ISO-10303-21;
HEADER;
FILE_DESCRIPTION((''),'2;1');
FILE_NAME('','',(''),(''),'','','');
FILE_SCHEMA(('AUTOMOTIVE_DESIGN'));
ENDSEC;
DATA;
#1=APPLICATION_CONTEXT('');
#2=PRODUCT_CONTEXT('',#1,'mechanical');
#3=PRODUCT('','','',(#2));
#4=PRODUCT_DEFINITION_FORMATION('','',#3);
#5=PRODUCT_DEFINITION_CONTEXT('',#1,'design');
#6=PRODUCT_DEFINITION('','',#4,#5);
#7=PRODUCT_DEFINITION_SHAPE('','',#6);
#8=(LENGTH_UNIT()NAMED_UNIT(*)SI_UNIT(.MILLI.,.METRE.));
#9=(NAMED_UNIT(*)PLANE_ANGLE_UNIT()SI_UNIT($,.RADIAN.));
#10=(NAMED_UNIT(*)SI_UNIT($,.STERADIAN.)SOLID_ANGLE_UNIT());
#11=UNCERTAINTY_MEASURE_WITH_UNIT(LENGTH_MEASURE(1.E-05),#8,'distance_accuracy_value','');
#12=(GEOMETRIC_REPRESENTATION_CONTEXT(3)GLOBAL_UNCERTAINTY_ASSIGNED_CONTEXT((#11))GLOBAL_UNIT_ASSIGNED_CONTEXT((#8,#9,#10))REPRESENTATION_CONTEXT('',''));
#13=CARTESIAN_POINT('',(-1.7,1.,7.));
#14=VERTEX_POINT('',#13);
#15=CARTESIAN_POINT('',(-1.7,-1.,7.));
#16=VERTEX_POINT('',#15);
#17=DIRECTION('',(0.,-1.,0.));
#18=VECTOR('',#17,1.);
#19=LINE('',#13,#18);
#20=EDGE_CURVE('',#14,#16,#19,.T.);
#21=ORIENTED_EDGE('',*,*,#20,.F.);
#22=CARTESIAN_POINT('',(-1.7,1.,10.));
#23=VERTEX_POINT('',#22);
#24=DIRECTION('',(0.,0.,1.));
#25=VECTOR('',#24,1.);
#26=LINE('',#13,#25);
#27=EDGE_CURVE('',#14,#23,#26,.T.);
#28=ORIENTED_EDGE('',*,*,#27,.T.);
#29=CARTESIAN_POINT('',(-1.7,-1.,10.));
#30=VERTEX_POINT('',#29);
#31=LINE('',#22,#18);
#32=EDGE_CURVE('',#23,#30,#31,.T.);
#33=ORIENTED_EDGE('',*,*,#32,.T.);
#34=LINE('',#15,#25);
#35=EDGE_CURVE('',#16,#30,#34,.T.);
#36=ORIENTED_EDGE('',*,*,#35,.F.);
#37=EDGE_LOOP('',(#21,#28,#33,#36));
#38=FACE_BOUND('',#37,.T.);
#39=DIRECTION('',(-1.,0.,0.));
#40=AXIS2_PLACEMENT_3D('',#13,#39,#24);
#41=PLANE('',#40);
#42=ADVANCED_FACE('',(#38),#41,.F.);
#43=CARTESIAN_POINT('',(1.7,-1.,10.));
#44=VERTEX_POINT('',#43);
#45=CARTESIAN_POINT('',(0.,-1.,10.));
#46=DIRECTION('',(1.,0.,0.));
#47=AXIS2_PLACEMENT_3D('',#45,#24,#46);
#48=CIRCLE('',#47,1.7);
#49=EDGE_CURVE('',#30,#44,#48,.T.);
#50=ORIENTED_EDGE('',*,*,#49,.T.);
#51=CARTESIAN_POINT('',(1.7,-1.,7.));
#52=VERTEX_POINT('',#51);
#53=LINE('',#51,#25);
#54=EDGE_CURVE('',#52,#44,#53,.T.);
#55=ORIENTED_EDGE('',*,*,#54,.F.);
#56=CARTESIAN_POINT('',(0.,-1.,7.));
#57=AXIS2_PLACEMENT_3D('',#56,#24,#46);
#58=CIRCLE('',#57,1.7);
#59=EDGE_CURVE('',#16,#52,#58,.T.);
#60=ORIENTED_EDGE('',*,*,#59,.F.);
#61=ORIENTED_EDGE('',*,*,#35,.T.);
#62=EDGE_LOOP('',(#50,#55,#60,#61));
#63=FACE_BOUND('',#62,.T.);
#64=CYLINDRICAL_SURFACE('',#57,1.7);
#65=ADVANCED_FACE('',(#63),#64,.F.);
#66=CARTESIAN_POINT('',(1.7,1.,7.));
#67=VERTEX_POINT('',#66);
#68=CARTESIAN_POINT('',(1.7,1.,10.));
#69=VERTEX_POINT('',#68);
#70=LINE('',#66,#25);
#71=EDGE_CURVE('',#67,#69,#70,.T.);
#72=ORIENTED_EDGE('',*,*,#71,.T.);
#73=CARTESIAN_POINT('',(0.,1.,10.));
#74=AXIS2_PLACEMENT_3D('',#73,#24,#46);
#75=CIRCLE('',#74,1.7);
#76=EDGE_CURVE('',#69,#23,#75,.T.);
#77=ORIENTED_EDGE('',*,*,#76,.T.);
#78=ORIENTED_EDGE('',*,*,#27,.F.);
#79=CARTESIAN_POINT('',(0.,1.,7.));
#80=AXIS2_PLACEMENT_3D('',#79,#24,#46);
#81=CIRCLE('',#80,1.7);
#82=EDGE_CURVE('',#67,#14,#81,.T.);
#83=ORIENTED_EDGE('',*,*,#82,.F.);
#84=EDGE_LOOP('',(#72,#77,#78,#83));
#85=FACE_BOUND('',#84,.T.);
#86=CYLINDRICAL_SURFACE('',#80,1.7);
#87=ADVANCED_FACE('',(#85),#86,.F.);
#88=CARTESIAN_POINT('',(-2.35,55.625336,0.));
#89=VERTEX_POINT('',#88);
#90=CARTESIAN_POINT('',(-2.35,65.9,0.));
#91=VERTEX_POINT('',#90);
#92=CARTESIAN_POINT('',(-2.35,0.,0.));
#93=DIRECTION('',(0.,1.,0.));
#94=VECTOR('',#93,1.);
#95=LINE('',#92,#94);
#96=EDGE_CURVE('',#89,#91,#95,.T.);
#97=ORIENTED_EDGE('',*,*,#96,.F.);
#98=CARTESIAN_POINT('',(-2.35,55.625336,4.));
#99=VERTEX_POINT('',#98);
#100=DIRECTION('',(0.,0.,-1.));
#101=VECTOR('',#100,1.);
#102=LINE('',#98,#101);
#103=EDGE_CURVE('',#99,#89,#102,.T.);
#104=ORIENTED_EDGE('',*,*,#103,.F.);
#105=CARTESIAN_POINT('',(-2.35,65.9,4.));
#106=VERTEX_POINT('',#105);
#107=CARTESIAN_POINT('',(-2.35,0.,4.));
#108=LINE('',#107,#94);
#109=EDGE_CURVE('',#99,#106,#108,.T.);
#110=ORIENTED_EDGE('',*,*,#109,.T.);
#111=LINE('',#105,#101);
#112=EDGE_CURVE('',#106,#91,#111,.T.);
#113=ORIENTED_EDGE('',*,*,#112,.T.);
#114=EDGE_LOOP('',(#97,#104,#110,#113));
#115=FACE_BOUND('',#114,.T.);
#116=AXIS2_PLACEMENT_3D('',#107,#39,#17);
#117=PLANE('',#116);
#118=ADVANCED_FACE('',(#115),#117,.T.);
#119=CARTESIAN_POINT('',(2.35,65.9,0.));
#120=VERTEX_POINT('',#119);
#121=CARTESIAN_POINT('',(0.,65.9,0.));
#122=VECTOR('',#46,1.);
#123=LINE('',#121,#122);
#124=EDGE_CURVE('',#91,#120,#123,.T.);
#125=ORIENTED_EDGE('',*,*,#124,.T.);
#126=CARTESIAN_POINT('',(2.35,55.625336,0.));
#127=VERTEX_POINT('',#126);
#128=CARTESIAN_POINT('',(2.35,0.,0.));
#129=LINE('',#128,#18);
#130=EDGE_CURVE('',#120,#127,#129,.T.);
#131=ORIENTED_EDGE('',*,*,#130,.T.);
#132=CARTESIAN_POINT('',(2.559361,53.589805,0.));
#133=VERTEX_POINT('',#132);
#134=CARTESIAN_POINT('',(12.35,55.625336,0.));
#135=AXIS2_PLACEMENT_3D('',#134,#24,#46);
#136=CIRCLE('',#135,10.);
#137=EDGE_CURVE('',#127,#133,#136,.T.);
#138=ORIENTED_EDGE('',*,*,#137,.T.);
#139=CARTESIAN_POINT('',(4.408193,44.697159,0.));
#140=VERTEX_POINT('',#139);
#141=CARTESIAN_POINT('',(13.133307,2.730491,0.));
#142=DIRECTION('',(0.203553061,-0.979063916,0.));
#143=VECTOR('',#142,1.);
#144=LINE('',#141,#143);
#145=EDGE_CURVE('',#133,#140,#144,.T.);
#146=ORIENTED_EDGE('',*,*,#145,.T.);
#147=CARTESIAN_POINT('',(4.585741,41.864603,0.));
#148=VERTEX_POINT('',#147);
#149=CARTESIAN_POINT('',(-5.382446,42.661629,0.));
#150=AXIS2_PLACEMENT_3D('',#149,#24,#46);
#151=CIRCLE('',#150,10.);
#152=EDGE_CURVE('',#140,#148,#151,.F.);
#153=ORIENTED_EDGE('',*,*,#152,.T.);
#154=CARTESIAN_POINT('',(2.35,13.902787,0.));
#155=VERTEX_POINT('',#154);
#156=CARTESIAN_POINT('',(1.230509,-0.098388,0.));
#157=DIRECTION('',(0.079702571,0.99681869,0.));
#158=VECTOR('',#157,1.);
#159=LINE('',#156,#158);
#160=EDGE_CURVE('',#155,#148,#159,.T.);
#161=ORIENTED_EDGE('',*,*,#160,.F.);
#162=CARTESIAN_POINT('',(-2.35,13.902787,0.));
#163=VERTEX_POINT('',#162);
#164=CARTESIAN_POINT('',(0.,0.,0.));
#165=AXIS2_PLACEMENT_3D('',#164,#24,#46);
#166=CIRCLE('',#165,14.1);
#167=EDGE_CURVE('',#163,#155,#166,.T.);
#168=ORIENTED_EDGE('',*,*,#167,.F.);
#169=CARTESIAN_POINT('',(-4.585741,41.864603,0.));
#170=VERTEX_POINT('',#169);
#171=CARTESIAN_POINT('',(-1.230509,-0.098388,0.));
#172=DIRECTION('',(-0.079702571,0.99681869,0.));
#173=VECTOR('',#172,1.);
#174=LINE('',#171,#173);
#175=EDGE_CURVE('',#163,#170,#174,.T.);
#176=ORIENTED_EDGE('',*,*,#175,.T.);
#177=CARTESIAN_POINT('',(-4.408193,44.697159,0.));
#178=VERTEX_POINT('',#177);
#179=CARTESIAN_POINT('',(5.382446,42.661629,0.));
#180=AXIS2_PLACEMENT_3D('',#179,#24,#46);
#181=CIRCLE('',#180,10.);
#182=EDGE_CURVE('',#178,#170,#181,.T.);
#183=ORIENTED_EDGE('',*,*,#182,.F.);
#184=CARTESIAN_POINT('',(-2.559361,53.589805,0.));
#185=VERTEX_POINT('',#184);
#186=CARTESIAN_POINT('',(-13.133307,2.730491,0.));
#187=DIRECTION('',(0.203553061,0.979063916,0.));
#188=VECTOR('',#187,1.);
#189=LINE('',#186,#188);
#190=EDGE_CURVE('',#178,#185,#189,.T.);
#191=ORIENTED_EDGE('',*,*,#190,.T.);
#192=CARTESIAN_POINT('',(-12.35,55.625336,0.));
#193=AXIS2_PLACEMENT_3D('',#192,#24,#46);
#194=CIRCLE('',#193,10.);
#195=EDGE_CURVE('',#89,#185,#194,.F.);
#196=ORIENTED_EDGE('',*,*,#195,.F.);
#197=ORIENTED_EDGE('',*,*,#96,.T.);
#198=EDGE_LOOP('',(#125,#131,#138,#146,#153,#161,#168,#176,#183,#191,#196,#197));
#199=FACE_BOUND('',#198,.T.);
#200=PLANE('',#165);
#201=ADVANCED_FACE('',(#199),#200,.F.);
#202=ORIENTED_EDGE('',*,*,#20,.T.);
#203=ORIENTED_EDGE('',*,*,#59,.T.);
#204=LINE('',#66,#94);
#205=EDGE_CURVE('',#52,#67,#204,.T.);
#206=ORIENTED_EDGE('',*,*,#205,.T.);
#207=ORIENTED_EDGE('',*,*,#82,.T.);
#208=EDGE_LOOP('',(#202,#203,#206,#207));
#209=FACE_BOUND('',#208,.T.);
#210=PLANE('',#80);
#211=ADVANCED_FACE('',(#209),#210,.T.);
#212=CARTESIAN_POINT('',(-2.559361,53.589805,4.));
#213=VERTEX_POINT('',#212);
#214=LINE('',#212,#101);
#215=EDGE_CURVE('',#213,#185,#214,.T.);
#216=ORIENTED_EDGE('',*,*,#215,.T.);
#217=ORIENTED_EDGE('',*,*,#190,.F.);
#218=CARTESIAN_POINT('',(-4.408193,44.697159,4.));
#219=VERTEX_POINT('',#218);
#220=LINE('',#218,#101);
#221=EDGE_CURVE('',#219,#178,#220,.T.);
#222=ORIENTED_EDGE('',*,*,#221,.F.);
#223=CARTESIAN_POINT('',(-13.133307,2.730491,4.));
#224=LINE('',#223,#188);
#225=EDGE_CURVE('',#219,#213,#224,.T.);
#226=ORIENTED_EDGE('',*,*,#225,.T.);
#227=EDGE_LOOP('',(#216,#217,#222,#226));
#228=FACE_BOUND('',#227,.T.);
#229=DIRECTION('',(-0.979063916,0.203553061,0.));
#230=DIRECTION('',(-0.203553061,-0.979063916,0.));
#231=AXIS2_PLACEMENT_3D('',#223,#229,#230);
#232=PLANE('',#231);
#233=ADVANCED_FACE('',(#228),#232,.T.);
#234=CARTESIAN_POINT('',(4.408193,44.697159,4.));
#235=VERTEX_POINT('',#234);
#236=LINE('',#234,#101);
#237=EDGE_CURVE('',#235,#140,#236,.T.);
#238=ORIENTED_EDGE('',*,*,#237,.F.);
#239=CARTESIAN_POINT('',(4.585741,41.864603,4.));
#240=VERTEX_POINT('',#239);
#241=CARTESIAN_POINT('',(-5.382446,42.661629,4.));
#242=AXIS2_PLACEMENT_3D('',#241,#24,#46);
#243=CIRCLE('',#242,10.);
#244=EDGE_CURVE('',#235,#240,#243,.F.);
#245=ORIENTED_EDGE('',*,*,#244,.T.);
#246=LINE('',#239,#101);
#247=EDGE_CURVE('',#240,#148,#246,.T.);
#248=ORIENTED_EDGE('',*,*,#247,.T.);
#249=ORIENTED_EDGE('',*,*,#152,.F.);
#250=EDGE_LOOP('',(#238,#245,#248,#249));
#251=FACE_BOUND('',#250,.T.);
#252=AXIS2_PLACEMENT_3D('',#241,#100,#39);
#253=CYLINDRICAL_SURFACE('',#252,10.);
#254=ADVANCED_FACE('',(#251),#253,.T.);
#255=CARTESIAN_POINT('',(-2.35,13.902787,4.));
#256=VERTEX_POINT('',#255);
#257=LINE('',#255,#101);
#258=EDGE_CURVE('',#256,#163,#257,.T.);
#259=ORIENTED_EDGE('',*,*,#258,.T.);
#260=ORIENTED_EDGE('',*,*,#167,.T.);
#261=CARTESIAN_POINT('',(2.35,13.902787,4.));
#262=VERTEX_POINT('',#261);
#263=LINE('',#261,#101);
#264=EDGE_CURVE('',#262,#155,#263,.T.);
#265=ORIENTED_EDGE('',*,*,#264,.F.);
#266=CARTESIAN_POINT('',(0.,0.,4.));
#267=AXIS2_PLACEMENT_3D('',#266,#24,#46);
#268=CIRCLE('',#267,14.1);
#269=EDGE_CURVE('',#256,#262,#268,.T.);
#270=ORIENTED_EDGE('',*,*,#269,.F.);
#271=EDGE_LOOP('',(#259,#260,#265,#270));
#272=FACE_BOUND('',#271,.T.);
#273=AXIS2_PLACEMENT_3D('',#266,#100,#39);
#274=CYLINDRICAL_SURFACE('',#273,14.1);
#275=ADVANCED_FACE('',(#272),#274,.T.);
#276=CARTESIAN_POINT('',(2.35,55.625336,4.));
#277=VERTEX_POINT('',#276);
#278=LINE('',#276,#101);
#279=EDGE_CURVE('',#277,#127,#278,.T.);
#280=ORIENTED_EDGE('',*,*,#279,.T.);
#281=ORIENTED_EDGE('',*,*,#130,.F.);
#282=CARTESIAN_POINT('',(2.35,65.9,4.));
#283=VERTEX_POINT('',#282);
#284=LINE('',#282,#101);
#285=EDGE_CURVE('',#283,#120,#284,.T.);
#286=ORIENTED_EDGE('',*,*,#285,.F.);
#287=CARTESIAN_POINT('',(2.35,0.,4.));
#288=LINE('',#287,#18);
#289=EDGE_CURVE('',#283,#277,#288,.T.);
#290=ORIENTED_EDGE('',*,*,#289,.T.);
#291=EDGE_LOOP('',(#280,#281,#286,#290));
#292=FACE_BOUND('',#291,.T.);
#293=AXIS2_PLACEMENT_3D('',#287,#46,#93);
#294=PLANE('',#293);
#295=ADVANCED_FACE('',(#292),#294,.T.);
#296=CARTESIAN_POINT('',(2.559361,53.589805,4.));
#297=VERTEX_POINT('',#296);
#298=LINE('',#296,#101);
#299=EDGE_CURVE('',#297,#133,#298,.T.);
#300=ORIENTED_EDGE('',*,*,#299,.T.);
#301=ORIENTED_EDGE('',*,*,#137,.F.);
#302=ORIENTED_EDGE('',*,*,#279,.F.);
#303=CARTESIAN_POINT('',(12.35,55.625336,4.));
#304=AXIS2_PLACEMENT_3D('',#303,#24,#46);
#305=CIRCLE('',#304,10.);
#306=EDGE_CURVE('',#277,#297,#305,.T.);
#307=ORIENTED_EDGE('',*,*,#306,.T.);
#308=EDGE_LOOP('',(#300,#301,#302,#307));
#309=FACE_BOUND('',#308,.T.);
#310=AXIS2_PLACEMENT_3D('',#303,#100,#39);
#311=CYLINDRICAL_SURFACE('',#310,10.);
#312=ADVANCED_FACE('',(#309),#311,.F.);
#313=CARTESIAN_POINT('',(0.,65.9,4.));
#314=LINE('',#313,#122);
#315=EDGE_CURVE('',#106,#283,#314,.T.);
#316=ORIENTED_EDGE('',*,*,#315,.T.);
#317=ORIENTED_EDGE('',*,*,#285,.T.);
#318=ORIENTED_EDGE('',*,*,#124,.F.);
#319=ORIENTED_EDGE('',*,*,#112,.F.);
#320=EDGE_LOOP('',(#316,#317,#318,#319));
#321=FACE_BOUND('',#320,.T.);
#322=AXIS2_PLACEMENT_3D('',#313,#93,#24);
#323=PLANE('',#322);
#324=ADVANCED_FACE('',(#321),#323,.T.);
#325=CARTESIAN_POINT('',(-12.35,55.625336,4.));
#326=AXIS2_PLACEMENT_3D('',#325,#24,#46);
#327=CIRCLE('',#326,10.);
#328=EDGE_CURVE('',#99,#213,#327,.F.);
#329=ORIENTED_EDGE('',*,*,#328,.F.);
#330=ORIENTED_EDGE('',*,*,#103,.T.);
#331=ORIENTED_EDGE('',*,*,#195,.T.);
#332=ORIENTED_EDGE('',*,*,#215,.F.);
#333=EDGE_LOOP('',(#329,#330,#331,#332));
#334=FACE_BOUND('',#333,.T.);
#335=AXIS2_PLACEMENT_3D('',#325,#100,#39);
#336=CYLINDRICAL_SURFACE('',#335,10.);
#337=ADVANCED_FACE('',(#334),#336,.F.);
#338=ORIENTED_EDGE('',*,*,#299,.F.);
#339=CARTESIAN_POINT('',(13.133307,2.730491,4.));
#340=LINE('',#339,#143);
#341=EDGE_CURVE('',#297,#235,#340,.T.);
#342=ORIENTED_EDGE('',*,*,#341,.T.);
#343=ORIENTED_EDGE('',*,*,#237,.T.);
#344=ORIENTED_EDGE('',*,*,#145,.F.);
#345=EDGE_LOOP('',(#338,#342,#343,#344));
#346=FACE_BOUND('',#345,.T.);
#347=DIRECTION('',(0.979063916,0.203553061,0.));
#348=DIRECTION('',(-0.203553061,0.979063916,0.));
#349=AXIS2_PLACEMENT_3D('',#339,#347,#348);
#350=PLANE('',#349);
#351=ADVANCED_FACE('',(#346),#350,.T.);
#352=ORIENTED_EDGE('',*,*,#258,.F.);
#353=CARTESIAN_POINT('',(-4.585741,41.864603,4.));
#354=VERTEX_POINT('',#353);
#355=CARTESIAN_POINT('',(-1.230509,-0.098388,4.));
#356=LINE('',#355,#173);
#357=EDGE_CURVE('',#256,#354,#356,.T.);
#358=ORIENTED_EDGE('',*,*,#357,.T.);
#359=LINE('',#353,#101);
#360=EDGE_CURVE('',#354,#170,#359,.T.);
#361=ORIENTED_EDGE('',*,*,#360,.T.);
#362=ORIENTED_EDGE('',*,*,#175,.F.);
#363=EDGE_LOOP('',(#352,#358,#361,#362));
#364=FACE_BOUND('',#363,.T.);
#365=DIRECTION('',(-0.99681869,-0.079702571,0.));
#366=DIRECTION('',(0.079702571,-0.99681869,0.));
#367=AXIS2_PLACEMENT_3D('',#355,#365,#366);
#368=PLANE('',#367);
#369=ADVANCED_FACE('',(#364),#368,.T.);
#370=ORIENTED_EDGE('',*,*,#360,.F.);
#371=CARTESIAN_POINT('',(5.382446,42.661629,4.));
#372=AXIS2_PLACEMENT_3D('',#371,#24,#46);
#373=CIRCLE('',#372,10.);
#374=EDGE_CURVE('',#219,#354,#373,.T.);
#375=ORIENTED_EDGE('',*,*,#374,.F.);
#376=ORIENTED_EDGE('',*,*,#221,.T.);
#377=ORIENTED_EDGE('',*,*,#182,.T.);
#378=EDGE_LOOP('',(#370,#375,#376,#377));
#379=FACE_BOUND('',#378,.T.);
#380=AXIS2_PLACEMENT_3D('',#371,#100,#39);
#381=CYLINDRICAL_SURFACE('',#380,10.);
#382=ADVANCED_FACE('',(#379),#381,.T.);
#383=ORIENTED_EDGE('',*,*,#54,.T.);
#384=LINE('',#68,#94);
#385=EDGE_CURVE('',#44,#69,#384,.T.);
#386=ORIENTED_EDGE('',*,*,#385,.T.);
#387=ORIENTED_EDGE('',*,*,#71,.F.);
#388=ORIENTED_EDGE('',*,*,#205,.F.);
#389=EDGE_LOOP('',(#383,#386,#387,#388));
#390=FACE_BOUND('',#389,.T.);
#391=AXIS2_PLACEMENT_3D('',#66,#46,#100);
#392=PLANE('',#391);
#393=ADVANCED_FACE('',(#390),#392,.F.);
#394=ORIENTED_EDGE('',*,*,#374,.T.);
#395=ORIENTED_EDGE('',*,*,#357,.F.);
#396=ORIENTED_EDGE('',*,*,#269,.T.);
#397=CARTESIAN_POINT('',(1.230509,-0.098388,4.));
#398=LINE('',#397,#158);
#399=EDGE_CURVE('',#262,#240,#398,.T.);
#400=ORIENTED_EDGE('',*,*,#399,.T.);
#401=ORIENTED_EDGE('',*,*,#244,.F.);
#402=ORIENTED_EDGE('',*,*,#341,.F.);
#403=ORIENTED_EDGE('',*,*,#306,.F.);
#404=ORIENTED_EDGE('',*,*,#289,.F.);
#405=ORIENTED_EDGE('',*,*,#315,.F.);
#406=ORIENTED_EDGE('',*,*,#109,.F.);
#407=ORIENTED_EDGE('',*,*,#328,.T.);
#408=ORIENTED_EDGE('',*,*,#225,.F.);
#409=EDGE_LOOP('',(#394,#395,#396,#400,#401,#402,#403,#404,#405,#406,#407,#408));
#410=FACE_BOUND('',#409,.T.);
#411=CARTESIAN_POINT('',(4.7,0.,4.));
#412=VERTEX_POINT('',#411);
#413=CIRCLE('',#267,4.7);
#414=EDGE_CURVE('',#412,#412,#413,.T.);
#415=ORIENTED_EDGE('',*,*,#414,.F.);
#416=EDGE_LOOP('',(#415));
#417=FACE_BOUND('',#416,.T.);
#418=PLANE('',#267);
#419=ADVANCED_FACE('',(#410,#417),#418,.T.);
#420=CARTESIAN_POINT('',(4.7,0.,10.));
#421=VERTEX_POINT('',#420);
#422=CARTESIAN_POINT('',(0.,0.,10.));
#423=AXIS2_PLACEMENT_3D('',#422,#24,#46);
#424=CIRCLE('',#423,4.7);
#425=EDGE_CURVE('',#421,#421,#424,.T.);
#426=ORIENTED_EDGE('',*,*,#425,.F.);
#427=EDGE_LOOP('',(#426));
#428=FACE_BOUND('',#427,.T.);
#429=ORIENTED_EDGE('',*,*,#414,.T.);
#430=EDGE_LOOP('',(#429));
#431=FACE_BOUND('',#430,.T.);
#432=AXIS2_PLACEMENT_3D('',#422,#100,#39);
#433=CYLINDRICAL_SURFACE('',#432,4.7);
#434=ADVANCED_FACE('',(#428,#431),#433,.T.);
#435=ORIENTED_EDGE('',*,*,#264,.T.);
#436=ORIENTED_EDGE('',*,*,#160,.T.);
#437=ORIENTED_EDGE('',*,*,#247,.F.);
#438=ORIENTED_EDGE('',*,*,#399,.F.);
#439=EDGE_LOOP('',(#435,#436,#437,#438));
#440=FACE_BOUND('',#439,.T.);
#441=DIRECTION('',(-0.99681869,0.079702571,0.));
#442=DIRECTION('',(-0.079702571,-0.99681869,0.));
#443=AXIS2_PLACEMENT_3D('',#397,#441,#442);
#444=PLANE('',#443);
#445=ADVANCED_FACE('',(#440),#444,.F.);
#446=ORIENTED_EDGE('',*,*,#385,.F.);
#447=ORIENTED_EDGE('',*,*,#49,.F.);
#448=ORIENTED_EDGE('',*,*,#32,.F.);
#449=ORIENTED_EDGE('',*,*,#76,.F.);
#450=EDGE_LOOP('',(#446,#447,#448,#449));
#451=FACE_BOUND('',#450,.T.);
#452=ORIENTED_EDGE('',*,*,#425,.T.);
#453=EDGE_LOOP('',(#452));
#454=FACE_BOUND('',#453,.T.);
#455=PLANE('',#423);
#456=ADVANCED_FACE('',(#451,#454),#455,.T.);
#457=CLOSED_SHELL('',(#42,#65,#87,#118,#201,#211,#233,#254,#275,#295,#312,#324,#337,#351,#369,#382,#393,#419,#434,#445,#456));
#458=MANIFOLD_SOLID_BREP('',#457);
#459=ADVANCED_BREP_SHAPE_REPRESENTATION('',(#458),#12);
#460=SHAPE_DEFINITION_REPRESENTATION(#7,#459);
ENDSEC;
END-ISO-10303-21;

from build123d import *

# Parameters (mm, degrees)
SKETCH1_R           = 4.7
BOSS_EXTRUDE1_DEPTH = 4
SKETCH1_3_R         = 4.7
BOSS_EXTRUDE2_DEPTH = 10
CUT_EXTRUDE1_DEPTH  = 3


with BuildPart() as part:
    # Sketch1 → Boss-Extrude1 (new body)
    with BuildSketch(Plane.XY):
        with BuildLine():
            Line((2.35, 13.90278749), (4.585741176, 41.864603012))
            ThreePointArc((4.585741176, 41.864603012), (4.597967377, 43.28721197), (4.408193437, 44.697159337))
            Line((4.408193437, 44.697159337), (2.559360842, 53.589805153))
            ThreePointArc((2.559360842, 53.589805153), (2.402477907, 54.602201264), (2.35, 55.625335767))
            Line((2.35, 55.625335767), (2.35, 65.9))
            Line((2.35, 65.9), (-2.35, 65.9))
            Line((-2.35, 65.9), (-2.35, 55.625335767))
            ThreePointArc((-2.35, 55.625335767), (-2.402477907, 54.602201264), (-2.559360842, 53.589805153))
            Line((-2.559360842, 53.589805153), (-4.408193437, 44.697159337))
            ThreePointArc((-4.408193437, 44.697159337), (-4.597967377, 43.28721197), (-4.585741176, 41.864603012))
            Line((-4.585741176, 41.864603012), (-2.35, 13.90278749))
            ThreePointArc((-2.35, 13.90278749), (0, -14.1), (2.35, 13.90278749))
        make_face()
        Circle(SKETCH1_R, mode=Mode.SUBTRACT)
    extrude(amount=BOSS_EXTRUDE1_DEPTH)

    # Sketch1<3> → Boss-Extrude2 (add)
    with BuildSketch(Plane.XY):
        Circle(SKETCH1_3_R)
    extrude(amount=BOSS_EXTRUDE2_DEPTH)

    # Sketch2 → Cut-Extrude1 (cut)
    with BuildSketch(Plane.XY.offset(10)):
        with BuildLine():
            Line((1.7, 1), (1.7, -1))
            ThreePointArc((1.7, -1), (0, -2.7), (-1.7, -1))
            Line((-1.7, -1), (-1.7, 1))
            ThreePointArc((-1.7, 1), (0, 2.7), (1.7, 1))
        make_face()
    extrude(amount=-CUT_EXTRUDE1_DEPTH, mode=Mode.SUBTRACT)


solid = part.part
